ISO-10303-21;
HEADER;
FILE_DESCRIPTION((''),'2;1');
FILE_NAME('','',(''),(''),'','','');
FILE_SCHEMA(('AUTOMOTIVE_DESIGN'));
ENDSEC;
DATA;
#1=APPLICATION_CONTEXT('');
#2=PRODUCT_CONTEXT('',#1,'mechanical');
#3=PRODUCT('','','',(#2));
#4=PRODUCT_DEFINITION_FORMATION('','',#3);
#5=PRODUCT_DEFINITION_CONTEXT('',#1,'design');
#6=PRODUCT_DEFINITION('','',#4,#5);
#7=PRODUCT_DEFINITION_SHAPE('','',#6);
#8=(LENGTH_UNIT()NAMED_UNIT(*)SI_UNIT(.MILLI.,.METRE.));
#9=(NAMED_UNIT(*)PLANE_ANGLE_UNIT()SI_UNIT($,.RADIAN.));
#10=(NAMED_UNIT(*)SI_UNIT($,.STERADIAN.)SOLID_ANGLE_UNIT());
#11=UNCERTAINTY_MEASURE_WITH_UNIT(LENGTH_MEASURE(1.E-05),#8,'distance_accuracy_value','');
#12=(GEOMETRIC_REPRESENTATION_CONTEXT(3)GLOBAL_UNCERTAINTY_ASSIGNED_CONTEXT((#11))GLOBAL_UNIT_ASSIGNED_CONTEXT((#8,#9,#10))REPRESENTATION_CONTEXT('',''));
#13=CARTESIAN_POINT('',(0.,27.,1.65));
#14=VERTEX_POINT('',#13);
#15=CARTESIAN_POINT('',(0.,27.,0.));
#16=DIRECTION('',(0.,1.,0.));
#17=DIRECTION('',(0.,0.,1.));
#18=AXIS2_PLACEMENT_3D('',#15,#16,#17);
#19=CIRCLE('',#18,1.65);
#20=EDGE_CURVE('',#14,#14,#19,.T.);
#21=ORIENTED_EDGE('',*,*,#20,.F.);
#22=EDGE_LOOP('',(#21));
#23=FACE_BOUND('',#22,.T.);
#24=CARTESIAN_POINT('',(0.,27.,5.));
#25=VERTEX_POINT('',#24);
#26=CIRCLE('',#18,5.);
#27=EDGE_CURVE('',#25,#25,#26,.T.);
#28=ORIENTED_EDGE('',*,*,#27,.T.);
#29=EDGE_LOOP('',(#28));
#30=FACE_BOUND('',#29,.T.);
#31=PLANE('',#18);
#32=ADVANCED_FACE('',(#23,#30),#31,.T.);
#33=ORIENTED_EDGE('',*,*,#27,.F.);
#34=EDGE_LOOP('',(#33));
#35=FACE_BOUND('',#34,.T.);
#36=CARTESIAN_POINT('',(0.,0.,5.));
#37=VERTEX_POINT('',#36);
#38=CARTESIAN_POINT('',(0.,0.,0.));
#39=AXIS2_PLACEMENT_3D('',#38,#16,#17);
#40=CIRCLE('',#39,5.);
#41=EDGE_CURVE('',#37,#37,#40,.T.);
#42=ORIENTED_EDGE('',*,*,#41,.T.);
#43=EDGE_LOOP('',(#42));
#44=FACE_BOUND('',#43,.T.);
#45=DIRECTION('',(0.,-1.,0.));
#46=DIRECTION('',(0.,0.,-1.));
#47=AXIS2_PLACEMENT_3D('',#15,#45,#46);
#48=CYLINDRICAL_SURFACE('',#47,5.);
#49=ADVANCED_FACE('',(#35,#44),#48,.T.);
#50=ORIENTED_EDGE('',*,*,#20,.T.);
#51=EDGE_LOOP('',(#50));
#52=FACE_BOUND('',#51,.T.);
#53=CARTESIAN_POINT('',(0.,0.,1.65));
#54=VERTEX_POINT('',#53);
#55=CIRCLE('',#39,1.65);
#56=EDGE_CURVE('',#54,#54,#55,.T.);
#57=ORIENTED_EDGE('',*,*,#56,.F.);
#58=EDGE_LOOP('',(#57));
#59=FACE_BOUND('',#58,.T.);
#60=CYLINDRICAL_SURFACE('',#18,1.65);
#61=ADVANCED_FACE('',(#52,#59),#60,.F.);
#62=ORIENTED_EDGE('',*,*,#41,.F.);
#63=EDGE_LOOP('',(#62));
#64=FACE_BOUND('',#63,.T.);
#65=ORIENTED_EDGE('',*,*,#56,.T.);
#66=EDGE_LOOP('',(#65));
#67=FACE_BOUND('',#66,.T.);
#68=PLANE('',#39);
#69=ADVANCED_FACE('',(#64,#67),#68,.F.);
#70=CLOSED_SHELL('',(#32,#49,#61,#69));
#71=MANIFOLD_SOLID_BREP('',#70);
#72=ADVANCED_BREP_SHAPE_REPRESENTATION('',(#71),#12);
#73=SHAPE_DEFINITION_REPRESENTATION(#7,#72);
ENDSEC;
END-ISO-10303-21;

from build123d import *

# Parameters (mm, degrees)
SKETCH1_R             = 5
BOSS_EXTRUDE1_DEPTH   = 27
M4X0_7_TAPPED_HOLE1_D = 3.3


with BuildPart() as part:
    # Sketch1 → Boss-Extrude1 (new body)
    with BuildSketch(Plane(origin=(0, 0, 0), x_dir=(1, 0, 0), z_dir=(0, 1, 0))):
        Circle(SKETCH1_R)
    extrude(amount=BOSS_EXTRUDE1_DEPTH)

    # M4x0.7 Tapped Hole1 (through all)
    with Locations(Plane(origin=(0, 27, 0), x_dir=(1, 0, 0), z_dir=(0, 1, 0))):
        with Locations((0, 0)):
            Hole(M4X0_7_TAPPED_HOLE1_D / 2)


solid = part.part
